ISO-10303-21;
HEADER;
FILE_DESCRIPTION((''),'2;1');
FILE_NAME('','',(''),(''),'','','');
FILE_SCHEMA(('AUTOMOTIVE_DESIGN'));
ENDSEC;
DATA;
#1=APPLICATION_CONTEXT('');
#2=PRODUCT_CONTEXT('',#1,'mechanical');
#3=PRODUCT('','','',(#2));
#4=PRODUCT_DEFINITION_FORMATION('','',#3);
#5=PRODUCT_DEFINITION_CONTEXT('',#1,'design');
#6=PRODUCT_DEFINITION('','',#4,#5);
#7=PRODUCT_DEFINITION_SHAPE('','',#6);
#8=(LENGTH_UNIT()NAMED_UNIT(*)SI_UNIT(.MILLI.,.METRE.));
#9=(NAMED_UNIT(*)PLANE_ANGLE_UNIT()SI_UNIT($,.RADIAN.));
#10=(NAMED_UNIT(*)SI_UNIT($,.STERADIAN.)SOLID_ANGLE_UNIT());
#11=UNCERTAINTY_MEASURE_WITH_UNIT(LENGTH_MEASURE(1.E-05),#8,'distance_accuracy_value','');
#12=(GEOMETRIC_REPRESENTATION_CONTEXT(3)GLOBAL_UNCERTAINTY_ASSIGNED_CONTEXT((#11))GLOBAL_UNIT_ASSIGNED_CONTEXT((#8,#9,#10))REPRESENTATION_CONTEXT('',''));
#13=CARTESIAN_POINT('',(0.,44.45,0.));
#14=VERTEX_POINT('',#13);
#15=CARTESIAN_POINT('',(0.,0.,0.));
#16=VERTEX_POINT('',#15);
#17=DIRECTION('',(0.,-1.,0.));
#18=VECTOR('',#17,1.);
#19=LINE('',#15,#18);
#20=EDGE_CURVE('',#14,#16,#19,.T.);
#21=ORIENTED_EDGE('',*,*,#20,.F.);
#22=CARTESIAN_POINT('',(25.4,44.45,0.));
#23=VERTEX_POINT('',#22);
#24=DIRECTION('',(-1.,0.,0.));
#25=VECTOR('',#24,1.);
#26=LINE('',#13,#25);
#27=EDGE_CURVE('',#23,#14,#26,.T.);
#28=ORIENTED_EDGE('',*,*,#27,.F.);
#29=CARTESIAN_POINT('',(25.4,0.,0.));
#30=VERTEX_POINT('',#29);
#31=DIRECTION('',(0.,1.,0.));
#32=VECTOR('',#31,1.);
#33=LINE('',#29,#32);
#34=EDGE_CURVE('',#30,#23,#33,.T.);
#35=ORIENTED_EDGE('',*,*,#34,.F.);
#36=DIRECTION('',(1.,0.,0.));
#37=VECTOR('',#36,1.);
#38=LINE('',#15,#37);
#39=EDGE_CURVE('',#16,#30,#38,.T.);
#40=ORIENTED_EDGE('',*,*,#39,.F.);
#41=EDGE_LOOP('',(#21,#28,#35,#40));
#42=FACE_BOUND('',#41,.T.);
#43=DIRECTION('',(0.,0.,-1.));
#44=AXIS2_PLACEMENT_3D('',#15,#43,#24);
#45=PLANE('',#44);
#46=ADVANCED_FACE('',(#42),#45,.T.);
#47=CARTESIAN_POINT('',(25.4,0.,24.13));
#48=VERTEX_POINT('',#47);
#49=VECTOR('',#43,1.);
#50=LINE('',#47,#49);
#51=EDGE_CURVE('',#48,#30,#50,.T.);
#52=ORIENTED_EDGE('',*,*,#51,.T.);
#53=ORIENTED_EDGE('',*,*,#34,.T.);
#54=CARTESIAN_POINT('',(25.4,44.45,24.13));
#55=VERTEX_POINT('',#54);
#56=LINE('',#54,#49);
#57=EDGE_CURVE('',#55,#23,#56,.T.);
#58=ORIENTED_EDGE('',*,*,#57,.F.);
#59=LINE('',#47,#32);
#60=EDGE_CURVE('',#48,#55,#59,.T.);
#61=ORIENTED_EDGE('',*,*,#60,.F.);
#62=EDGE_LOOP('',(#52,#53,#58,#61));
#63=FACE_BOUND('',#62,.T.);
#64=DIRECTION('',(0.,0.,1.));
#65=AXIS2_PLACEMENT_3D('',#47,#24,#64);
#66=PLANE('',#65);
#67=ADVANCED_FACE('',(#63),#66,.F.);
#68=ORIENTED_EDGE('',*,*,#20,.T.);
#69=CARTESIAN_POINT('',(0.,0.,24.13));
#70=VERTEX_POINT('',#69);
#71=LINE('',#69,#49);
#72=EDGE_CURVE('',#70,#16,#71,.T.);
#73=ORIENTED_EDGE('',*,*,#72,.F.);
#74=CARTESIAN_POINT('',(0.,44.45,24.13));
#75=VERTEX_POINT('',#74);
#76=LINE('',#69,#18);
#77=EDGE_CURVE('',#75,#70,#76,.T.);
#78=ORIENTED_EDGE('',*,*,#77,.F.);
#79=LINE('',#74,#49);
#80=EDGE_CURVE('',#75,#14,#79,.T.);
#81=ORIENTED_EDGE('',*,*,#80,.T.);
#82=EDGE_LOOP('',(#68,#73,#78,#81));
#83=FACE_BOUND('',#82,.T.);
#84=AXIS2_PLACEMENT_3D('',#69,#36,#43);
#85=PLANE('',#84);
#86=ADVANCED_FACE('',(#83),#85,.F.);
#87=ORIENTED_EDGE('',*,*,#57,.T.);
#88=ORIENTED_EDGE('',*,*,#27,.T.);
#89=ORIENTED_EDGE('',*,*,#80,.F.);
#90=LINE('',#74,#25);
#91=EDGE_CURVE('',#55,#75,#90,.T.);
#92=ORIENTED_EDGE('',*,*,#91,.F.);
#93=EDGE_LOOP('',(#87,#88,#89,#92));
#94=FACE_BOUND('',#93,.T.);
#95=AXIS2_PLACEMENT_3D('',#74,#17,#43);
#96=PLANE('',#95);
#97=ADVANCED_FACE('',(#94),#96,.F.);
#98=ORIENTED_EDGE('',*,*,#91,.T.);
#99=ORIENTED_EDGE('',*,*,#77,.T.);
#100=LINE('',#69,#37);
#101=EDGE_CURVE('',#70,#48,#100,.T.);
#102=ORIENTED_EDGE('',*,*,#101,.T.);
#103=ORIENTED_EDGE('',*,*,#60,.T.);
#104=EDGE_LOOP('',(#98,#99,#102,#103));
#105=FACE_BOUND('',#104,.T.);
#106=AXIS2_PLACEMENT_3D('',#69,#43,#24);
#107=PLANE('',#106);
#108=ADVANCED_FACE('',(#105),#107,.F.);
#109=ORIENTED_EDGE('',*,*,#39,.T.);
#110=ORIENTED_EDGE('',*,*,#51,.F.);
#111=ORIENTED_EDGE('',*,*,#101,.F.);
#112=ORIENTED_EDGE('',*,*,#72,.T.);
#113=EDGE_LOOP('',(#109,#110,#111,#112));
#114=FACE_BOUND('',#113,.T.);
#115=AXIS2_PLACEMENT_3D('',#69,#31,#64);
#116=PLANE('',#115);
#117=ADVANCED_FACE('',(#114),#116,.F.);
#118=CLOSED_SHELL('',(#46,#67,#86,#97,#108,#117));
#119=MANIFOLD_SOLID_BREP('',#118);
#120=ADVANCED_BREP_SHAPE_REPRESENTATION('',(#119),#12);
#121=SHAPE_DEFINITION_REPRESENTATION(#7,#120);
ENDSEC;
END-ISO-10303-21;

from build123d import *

# Parameters (mm, degrees)
SKETCH1_W           = 25.4
SKETCH1_H           = 44.45
BOSS_EXTRUDE1_DEPTH = 24.13


with BuildPart() as part:
    # Sketch1 → Boss-Extrude1 (new body)
    with BuildSketch(Plane.XY):
        with Locations((12.7, 22.225)):
            Rectangle(SKETCH1_W, SKETCH1_H)
    extrude(amount=BOSS_EXTRUDE1_DEPTH)


solid = part.part
